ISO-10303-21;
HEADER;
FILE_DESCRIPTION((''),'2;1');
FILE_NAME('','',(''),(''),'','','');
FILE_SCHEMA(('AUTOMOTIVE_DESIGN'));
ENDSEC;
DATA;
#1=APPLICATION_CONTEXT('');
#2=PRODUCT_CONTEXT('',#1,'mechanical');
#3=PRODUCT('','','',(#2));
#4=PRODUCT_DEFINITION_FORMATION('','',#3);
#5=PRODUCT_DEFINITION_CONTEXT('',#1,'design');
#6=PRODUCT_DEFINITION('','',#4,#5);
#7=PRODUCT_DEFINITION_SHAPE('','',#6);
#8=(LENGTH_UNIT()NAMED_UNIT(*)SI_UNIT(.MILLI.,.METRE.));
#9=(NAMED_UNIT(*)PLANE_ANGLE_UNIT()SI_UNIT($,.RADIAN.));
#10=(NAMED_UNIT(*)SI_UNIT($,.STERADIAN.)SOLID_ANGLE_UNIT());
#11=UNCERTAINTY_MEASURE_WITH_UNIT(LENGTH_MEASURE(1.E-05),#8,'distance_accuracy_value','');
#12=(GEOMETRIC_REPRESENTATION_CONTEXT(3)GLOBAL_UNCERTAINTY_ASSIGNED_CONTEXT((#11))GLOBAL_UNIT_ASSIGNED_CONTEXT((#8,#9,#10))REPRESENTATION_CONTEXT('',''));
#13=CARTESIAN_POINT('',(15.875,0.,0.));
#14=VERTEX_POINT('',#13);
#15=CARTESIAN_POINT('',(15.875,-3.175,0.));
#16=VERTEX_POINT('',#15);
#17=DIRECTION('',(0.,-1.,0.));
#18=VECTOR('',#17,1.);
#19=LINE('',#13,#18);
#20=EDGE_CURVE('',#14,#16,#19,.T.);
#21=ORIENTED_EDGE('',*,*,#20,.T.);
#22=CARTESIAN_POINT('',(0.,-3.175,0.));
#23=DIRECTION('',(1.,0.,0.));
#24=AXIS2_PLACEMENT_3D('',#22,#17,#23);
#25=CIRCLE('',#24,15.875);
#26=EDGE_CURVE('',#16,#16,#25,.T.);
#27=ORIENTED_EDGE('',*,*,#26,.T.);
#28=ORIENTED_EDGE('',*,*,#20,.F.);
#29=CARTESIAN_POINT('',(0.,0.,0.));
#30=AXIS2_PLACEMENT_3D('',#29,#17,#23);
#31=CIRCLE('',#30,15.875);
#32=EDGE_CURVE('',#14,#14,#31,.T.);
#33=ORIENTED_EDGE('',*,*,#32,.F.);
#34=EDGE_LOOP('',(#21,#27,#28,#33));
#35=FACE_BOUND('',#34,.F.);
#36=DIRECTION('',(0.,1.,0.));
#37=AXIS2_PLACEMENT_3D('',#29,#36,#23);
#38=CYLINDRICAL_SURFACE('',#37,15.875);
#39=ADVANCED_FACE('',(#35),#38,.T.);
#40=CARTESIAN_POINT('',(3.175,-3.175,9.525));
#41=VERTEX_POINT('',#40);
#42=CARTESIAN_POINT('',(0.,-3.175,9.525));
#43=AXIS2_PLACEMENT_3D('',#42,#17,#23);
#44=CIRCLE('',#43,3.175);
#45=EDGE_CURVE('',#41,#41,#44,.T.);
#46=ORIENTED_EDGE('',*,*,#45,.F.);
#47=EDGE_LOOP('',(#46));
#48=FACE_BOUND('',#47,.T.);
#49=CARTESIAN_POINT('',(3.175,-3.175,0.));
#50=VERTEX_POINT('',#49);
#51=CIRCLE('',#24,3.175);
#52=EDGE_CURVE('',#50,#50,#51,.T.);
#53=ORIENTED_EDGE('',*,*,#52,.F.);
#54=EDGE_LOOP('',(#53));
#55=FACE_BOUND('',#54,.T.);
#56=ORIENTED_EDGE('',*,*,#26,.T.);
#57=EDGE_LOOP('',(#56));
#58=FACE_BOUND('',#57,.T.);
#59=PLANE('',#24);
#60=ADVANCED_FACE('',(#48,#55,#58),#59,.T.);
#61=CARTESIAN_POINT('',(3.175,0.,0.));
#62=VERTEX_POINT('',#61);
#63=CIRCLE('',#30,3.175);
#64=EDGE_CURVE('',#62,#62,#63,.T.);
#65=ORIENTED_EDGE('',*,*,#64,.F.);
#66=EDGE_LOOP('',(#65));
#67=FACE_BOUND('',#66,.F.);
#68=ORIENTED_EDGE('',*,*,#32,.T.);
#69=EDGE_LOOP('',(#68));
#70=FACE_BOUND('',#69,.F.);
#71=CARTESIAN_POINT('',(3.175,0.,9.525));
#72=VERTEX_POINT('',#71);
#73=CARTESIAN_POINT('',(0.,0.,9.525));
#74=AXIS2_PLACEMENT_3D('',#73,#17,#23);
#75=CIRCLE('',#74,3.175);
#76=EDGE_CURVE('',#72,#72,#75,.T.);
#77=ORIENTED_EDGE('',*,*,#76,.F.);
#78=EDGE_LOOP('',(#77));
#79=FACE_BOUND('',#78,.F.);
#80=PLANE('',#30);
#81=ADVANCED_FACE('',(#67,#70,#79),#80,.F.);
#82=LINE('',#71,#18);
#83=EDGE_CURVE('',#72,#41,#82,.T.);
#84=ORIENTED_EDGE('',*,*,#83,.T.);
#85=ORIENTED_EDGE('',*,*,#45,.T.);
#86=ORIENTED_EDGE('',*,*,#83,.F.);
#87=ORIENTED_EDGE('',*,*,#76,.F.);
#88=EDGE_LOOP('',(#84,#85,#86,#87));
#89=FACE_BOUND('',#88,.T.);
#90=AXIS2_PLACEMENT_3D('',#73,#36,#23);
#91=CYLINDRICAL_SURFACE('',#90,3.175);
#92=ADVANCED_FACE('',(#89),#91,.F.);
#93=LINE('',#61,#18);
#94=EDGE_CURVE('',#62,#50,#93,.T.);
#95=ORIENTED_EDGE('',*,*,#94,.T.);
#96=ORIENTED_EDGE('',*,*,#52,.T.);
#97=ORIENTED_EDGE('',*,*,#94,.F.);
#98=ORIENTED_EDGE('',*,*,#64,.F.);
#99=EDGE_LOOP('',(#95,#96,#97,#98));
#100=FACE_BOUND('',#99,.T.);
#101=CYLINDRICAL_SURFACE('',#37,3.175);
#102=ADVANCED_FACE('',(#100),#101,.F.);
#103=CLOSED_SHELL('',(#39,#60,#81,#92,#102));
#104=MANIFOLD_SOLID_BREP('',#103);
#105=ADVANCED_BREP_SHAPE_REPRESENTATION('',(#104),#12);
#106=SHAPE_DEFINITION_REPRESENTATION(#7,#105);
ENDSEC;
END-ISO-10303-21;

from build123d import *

# Parameters (mm, degrees)
F0_R     = 15.875
F0_R_2   = 3.175
F1_DEPTH = 3.175


with BuildPart() as f1:
    # F0 (on Front) → F1 (new body)
    with BuildSketch(Plane.XZ):
        Circle(F0_R)
        Circle(F0_R_2, mode=Mode.SUBTRACT)
        with Locations((0, 9.525)):
            Circle(F0_R_2, mode=Mode.SUBTRACT)
    extrude(amount=F1_DEPTH)


solid = f1.part
